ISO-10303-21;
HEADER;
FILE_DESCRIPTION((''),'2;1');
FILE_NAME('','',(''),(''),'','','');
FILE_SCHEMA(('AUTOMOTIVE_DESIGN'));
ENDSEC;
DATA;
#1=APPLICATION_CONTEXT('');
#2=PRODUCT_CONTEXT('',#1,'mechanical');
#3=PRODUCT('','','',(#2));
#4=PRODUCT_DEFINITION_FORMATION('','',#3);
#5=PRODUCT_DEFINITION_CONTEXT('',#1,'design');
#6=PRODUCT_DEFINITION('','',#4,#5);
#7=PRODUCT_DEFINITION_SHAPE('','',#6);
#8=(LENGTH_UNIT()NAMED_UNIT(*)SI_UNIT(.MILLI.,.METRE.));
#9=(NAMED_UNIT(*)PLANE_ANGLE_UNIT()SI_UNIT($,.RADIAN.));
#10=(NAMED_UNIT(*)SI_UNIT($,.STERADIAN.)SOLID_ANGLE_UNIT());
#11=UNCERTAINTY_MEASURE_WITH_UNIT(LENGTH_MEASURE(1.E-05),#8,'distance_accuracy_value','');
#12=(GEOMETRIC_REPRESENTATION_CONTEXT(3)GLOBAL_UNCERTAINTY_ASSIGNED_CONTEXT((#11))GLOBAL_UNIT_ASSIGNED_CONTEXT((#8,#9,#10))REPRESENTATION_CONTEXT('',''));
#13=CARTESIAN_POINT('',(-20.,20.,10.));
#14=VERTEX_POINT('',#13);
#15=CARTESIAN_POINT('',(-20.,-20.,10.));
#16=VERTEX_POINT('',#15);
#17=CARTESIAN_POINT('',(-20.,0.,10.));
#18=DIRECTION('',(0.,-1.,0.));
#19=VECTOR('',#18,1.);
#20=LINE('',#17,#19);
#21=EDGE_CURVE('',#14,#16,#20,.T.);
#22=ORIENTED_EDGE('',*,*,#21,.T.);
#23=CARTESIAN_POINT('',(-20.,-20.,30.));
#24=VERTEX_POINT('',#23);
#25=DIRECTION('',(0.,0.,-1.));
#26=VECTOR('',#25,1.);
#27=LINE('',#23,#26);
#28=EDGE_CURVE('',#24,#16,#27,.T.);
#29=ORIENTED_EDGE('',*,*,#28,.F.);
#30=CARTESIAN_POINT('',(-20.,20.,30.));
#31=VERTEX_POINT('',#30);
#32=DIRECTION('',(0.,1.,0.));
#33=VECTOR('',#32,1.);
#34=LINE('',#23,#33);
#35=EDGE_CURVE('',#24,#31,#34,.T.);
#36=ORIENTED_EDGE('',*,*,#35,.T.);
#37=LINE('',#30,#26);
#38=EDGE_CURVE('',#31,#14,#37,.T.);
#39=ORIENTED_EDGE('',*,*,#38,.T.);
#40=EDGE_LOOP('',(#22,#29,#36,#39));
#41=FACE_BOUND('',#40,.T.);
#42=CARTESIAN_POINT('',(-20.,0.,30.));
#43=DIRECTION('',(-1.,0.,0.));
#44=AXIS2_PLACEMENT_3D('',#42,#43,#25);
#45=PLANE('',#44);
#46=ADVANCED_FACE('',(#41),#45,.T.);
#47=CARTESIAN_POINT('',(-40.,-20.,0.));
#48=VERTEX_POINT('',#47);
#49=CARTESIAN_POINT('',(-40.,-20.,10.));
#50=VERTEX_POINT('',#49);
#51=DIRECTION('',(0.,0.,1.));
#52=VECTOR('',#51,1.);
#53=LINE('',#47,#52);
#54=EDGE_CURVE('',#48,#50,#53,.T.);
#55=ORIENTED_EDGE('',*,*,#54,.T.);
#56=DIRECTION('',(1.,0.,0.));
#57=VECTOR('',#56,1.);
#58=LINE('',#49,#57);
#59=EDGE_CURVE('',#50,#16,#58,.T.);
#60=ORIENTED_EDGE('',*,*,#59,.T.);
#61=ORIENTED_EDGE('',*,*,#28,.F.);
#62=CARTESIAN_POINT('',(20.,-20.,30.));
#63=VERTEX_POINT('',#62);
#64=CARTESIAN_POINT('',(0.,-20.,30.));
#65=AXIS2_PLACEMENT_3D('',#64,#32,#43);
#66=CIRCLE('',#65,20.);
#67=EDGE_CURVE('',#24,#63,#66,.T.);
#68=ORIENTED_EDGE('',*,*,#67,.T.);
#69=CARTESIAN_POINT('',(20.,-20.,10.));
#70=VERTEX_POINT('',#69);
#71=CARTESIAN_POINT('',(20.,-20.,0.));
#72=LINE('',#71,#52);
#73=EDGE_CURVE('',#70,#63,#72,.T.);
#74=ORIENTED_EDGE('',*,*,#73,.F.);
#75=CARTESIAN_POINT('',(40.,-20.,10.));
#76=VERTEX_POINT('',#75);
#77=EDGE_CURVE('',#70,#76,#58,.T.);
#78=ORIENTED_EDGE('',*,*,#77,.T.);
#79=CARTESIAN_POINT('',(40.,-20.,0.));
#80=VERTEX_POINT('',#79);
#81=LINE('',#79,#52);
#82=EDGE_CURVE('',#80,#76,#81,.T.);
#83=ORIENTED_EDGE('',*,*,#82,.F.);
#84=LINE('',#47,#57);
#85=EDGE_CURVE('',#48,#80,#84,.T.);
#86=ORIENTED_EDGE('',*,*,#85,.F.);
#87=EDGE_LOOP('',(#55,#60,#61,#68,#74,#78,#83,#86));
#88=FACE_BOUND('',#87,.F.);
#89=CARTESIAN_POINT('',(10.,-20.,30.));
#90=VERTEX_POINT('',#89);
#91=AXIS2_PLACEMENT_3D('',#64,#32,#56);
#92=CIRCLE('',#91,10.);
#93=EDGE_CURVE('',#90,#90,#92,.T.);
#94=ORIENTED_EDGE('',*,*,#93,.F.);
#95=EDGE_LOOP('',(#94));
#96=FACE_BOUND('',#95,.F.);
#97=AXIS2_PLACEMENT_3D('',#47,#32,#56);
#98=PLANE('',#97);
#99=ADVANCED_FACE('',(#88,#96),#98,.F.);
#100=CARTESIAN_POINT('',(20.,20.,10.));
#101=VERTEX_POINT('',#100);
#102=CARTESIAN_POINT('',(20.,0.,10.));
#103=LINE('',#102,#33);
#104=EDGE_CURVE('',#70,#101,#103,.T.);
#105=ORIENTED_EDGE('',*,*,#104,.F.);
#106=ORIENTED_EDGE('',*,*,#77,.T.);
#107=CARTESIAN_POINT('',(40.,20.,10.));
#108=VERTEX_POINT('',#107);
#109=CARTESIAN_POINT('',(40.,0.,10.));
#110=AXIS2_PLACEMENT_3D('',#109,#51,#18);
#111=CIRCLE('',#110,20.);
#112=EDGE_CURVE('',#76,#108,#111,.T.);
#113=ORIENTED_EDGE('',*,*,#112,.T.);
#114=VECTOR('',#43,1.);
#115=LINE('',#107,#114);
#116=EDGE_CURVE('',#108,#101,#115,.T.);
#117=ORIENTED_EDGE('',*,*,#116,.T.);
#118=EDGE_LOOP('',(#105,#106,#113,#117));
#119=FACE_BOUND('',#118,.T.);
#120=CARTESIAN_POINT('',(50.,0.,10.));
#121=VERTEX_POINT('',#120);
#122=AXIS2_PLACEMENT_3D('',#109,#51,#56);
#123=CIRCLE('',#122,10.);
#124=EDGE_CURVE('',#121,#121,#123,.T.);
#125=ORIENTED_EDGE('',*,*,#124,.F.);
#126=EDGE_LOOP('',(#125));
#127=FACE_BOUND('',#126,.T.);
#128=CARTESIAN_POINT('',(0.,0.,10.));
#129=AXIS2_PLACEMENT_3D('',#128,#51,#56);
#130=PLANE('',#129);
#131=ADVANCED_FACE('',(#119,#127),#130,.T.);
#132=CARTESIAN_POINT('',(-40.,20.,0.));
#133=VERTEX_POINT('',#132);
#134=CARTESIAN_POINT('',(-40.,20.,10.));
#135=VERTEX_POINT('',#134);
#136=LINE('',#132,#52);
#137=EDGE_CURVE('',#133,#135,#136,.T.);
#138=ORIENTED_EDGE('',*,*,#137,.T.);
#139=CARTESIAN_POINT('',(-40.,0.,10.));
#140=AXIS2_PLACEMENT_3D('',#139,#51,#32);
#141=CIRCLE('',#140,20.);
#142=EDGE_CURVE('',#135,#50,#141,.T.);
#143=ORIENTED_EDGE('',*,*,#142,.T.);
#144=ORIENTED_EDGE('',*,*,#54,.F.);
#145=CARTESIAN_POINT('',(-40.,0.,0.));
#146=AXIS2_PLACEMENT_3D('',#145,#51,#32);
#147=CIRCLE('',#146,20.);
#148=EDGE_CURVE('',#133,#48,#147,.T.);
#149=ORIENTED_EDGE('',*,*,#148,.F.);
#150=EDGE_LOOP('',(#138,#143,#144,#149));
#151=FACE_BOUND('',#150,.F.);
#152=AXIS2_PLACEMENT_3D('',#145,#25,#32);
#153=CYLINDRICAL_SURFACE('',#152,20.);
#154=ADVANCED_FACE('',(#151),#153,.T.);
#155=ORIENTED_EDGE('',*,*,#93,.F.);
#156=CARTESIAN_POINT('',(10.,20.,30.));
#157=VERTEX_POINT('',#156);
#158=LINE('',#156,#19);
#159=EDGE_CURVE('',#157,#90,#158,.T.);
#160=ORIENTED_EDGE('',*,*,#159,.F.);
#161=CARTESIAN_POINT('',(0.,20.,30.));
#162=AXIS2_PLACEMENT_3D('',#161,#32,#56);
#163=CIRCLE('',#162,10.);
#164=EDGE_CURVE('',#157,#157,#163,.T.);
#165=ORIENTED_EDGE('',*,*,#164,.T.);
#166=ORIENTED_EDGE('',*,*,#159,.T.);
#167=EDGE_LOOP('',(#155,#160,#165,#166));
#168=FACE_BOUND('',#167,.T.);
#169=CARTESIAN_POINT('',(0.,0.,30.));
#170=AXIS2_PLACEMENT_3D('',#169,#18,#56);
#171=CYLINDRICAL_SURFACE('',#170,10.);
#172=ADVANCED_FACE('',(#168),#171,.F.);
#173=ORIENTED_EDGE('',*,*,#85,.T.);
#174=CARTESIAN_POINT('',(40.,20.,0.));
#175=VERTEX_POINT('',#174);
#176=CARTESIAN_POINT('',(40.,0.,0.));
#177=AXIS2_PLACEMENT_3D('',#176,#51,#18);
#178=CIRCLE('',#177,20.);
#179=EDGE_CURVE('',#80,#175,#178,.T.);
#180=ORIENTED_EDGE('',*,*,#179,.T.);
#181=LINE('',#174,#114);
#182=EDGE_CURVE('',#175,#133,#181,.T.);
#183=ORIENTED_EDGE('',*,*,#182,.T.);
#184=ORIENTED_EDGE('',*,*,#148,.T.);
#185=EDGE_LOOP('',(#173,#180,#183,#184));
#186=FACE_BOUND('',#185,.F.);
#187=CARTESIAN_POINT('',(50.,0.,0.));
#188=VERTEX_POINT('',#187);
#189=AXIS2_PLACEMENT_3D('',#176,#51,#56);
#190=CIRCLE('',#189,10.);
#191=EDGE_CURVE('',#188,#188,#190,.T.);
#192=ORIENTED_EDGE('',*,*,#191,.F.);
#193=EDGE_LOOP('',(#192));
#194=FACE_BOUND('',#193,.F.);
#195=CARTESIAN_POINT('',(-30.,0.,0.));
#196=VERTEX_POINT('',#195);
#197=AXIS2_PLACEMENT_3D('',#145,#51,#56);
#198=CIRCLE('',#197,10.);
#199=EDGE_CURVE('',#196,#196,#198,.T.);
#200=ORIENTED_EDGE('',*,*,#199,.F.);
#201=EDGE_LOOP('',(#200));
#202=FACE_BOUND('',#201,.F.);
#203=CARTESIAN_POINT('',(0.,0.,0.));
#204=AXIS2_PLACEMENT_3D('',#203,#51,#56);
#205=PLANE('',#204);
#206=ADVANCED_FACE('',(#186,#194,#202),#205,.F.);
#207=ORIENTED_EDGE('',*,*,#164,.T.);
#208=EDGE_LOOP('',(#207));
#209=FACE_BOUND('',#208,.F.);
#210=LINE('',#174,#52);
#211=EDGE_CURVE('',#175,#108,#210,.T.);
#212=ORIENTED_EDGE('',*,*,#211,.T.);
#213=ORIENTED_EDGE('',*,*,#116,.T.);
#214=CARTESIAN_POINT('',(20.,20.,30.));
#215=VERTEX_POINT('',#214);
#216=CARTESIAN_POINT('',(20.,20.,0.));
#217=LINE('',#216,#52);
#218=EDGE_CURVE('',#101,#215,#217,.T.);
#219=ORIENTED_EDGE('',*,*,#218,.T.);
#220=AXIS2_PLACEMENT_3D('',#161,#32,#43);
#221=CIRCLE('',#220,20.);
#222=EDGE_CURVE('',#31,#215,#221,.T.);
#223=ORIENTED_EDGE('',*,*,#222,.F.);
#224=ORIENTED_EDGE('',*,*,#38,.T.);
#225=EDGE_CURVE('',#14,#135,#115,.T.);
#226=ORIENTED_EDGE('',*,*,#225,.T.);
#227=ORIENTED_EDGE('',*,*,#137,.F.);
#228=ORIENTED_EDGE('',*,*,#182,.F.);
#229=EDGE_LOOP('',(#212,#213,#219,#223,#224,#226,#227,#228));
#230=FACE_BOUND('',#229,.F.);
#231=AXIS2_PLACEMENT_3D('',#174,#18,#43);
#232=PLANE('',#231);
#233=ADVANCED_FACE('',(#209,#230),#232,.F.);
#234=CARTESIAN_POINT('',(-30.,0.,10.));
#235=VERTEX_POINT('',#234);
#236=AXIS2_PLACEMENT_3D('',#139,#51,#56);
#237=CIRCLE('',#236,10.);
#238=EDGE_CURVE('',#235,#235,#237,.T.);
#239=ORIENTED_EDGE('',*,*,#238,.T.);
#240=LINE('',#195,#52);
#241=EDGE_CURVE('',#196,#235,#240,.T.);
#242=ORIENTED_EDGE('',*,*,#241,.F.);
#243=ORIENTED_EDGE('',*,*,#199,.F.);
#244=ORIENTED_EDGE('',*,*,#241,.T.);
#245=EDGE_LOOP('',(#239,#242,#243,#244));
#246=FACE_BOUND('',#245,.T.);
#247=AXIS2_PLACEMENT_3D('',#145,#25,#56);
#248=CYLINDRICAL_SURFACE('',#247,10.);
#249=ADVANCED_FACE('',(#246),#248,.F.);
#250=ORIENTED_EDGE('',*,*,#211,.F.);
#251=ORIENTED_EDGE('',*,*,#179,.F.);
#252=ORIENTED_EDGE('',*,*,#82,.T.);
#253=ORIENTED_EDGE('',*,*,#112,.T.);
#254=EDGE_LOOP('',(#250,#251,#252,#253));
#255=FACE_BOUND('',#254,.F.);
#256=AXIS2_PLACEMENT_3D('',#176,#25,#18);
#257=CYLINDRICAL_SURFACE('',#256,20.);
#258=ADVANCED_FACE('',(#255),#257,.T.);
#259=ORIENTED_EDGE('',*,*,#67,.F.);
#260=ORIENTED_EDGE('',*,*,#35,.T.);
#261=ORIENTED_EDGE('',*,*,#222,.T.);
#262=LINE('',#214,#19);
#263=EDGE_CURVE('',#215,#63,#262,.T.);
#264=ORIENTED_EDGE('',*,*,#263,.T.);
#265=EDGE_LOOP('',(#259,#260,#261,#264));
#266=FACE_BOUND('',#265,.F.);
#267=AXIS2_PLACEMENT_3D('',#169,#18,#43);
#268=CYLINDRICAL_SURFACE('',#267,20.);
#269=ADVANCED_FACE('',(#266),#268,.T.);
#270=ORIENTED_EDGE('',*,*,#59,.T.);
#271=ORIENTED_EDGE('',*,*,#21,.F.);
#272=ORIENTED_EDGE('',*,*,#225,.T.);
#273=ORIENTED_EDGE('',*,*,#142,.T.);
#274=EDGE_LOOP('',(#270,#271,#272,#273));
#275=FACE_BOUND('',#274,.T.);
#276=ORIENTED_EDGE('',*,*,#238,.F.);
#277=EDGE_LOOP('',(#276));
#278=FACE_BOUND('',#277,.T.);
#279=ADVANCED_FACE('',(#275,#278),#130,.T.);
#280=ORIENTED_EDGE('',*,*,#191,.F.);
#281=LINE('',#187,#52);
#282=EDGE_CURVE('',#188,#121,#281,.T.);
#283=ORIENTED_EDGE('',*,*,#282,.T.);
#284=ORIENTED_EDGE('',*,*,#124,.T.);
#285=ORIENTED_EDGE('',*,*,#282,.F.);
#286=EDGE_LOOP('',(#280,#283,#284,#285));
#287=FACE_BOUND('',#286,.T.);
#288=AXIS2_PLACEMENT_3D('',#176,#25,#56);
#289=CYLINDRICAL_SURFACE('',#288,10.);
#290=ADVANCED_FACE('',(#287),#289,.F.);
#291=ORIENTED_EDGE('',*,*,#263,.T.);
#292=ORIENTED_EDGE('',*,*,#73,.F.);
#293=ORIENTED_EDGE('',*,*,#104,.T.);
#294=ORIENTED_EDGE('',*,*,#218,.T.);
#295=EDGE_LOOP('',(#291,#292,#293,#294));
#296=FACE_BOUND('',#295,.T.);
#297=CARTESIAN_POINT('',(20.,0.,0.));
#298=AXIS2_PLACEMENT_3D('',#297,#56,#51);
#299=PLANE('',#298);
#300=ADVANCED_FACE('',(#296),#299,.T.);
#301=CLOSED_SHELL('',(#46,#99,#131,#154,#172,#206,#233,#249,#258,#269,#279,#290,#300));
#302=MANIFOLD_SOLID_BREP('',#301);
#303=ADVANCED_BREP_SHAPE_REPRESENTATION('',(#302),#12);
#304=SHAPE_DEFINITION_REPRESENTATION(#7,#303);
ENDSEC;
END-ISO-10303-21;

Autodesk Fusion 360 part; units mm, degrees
sketch "bottom" plane through (0, 0, 0) normal (0, 0, 1) x (1, 0, 0)
  line L0 (40, 20) -> (-40, 20)
  line L1 (-40, -20) -> (40, -20)
  circle A0 centre (40, 0) radius 10
  circle A1 centre (-40, 0) radius 10
  arc A2 (-40, 20) -> (-40, -20) centre (-40, 0) ccw
  arc A3 (40, -20) -> (40, 20) centre (40, 0) ccw
  dimension "d1" = 80
  dimension "d2" = 40
  dimension "d5" = 40
  dimension "d6" = 40
extrude "Extrude1" add sketch "bottom" along normal blind 10
sketch "vertical" plane through (0, 0, 0) normal (0, 1, 0) x (1, 0, 0)
  line L0 (-20, 0) -> (20, 0)
  line L1 (20, 0) -> (20, -30)
  line L2 (-20, -30) -> (-20, 0)
  line L3 (-40, 0) -> (-40, -10)
  circle A0 centre (0, -30) radius 10
  arc A1 (-20, -30) -> (20, -30) centre (0, -30) ccw
  dimension "d11" = 40
  dimension "d12" = 30
  dimension "d13" = 20
  dimension "d14" = 20
  dimension "d15" = 20
extrude "Extrude2" add sketch "vertical" along normal mid plane 40
